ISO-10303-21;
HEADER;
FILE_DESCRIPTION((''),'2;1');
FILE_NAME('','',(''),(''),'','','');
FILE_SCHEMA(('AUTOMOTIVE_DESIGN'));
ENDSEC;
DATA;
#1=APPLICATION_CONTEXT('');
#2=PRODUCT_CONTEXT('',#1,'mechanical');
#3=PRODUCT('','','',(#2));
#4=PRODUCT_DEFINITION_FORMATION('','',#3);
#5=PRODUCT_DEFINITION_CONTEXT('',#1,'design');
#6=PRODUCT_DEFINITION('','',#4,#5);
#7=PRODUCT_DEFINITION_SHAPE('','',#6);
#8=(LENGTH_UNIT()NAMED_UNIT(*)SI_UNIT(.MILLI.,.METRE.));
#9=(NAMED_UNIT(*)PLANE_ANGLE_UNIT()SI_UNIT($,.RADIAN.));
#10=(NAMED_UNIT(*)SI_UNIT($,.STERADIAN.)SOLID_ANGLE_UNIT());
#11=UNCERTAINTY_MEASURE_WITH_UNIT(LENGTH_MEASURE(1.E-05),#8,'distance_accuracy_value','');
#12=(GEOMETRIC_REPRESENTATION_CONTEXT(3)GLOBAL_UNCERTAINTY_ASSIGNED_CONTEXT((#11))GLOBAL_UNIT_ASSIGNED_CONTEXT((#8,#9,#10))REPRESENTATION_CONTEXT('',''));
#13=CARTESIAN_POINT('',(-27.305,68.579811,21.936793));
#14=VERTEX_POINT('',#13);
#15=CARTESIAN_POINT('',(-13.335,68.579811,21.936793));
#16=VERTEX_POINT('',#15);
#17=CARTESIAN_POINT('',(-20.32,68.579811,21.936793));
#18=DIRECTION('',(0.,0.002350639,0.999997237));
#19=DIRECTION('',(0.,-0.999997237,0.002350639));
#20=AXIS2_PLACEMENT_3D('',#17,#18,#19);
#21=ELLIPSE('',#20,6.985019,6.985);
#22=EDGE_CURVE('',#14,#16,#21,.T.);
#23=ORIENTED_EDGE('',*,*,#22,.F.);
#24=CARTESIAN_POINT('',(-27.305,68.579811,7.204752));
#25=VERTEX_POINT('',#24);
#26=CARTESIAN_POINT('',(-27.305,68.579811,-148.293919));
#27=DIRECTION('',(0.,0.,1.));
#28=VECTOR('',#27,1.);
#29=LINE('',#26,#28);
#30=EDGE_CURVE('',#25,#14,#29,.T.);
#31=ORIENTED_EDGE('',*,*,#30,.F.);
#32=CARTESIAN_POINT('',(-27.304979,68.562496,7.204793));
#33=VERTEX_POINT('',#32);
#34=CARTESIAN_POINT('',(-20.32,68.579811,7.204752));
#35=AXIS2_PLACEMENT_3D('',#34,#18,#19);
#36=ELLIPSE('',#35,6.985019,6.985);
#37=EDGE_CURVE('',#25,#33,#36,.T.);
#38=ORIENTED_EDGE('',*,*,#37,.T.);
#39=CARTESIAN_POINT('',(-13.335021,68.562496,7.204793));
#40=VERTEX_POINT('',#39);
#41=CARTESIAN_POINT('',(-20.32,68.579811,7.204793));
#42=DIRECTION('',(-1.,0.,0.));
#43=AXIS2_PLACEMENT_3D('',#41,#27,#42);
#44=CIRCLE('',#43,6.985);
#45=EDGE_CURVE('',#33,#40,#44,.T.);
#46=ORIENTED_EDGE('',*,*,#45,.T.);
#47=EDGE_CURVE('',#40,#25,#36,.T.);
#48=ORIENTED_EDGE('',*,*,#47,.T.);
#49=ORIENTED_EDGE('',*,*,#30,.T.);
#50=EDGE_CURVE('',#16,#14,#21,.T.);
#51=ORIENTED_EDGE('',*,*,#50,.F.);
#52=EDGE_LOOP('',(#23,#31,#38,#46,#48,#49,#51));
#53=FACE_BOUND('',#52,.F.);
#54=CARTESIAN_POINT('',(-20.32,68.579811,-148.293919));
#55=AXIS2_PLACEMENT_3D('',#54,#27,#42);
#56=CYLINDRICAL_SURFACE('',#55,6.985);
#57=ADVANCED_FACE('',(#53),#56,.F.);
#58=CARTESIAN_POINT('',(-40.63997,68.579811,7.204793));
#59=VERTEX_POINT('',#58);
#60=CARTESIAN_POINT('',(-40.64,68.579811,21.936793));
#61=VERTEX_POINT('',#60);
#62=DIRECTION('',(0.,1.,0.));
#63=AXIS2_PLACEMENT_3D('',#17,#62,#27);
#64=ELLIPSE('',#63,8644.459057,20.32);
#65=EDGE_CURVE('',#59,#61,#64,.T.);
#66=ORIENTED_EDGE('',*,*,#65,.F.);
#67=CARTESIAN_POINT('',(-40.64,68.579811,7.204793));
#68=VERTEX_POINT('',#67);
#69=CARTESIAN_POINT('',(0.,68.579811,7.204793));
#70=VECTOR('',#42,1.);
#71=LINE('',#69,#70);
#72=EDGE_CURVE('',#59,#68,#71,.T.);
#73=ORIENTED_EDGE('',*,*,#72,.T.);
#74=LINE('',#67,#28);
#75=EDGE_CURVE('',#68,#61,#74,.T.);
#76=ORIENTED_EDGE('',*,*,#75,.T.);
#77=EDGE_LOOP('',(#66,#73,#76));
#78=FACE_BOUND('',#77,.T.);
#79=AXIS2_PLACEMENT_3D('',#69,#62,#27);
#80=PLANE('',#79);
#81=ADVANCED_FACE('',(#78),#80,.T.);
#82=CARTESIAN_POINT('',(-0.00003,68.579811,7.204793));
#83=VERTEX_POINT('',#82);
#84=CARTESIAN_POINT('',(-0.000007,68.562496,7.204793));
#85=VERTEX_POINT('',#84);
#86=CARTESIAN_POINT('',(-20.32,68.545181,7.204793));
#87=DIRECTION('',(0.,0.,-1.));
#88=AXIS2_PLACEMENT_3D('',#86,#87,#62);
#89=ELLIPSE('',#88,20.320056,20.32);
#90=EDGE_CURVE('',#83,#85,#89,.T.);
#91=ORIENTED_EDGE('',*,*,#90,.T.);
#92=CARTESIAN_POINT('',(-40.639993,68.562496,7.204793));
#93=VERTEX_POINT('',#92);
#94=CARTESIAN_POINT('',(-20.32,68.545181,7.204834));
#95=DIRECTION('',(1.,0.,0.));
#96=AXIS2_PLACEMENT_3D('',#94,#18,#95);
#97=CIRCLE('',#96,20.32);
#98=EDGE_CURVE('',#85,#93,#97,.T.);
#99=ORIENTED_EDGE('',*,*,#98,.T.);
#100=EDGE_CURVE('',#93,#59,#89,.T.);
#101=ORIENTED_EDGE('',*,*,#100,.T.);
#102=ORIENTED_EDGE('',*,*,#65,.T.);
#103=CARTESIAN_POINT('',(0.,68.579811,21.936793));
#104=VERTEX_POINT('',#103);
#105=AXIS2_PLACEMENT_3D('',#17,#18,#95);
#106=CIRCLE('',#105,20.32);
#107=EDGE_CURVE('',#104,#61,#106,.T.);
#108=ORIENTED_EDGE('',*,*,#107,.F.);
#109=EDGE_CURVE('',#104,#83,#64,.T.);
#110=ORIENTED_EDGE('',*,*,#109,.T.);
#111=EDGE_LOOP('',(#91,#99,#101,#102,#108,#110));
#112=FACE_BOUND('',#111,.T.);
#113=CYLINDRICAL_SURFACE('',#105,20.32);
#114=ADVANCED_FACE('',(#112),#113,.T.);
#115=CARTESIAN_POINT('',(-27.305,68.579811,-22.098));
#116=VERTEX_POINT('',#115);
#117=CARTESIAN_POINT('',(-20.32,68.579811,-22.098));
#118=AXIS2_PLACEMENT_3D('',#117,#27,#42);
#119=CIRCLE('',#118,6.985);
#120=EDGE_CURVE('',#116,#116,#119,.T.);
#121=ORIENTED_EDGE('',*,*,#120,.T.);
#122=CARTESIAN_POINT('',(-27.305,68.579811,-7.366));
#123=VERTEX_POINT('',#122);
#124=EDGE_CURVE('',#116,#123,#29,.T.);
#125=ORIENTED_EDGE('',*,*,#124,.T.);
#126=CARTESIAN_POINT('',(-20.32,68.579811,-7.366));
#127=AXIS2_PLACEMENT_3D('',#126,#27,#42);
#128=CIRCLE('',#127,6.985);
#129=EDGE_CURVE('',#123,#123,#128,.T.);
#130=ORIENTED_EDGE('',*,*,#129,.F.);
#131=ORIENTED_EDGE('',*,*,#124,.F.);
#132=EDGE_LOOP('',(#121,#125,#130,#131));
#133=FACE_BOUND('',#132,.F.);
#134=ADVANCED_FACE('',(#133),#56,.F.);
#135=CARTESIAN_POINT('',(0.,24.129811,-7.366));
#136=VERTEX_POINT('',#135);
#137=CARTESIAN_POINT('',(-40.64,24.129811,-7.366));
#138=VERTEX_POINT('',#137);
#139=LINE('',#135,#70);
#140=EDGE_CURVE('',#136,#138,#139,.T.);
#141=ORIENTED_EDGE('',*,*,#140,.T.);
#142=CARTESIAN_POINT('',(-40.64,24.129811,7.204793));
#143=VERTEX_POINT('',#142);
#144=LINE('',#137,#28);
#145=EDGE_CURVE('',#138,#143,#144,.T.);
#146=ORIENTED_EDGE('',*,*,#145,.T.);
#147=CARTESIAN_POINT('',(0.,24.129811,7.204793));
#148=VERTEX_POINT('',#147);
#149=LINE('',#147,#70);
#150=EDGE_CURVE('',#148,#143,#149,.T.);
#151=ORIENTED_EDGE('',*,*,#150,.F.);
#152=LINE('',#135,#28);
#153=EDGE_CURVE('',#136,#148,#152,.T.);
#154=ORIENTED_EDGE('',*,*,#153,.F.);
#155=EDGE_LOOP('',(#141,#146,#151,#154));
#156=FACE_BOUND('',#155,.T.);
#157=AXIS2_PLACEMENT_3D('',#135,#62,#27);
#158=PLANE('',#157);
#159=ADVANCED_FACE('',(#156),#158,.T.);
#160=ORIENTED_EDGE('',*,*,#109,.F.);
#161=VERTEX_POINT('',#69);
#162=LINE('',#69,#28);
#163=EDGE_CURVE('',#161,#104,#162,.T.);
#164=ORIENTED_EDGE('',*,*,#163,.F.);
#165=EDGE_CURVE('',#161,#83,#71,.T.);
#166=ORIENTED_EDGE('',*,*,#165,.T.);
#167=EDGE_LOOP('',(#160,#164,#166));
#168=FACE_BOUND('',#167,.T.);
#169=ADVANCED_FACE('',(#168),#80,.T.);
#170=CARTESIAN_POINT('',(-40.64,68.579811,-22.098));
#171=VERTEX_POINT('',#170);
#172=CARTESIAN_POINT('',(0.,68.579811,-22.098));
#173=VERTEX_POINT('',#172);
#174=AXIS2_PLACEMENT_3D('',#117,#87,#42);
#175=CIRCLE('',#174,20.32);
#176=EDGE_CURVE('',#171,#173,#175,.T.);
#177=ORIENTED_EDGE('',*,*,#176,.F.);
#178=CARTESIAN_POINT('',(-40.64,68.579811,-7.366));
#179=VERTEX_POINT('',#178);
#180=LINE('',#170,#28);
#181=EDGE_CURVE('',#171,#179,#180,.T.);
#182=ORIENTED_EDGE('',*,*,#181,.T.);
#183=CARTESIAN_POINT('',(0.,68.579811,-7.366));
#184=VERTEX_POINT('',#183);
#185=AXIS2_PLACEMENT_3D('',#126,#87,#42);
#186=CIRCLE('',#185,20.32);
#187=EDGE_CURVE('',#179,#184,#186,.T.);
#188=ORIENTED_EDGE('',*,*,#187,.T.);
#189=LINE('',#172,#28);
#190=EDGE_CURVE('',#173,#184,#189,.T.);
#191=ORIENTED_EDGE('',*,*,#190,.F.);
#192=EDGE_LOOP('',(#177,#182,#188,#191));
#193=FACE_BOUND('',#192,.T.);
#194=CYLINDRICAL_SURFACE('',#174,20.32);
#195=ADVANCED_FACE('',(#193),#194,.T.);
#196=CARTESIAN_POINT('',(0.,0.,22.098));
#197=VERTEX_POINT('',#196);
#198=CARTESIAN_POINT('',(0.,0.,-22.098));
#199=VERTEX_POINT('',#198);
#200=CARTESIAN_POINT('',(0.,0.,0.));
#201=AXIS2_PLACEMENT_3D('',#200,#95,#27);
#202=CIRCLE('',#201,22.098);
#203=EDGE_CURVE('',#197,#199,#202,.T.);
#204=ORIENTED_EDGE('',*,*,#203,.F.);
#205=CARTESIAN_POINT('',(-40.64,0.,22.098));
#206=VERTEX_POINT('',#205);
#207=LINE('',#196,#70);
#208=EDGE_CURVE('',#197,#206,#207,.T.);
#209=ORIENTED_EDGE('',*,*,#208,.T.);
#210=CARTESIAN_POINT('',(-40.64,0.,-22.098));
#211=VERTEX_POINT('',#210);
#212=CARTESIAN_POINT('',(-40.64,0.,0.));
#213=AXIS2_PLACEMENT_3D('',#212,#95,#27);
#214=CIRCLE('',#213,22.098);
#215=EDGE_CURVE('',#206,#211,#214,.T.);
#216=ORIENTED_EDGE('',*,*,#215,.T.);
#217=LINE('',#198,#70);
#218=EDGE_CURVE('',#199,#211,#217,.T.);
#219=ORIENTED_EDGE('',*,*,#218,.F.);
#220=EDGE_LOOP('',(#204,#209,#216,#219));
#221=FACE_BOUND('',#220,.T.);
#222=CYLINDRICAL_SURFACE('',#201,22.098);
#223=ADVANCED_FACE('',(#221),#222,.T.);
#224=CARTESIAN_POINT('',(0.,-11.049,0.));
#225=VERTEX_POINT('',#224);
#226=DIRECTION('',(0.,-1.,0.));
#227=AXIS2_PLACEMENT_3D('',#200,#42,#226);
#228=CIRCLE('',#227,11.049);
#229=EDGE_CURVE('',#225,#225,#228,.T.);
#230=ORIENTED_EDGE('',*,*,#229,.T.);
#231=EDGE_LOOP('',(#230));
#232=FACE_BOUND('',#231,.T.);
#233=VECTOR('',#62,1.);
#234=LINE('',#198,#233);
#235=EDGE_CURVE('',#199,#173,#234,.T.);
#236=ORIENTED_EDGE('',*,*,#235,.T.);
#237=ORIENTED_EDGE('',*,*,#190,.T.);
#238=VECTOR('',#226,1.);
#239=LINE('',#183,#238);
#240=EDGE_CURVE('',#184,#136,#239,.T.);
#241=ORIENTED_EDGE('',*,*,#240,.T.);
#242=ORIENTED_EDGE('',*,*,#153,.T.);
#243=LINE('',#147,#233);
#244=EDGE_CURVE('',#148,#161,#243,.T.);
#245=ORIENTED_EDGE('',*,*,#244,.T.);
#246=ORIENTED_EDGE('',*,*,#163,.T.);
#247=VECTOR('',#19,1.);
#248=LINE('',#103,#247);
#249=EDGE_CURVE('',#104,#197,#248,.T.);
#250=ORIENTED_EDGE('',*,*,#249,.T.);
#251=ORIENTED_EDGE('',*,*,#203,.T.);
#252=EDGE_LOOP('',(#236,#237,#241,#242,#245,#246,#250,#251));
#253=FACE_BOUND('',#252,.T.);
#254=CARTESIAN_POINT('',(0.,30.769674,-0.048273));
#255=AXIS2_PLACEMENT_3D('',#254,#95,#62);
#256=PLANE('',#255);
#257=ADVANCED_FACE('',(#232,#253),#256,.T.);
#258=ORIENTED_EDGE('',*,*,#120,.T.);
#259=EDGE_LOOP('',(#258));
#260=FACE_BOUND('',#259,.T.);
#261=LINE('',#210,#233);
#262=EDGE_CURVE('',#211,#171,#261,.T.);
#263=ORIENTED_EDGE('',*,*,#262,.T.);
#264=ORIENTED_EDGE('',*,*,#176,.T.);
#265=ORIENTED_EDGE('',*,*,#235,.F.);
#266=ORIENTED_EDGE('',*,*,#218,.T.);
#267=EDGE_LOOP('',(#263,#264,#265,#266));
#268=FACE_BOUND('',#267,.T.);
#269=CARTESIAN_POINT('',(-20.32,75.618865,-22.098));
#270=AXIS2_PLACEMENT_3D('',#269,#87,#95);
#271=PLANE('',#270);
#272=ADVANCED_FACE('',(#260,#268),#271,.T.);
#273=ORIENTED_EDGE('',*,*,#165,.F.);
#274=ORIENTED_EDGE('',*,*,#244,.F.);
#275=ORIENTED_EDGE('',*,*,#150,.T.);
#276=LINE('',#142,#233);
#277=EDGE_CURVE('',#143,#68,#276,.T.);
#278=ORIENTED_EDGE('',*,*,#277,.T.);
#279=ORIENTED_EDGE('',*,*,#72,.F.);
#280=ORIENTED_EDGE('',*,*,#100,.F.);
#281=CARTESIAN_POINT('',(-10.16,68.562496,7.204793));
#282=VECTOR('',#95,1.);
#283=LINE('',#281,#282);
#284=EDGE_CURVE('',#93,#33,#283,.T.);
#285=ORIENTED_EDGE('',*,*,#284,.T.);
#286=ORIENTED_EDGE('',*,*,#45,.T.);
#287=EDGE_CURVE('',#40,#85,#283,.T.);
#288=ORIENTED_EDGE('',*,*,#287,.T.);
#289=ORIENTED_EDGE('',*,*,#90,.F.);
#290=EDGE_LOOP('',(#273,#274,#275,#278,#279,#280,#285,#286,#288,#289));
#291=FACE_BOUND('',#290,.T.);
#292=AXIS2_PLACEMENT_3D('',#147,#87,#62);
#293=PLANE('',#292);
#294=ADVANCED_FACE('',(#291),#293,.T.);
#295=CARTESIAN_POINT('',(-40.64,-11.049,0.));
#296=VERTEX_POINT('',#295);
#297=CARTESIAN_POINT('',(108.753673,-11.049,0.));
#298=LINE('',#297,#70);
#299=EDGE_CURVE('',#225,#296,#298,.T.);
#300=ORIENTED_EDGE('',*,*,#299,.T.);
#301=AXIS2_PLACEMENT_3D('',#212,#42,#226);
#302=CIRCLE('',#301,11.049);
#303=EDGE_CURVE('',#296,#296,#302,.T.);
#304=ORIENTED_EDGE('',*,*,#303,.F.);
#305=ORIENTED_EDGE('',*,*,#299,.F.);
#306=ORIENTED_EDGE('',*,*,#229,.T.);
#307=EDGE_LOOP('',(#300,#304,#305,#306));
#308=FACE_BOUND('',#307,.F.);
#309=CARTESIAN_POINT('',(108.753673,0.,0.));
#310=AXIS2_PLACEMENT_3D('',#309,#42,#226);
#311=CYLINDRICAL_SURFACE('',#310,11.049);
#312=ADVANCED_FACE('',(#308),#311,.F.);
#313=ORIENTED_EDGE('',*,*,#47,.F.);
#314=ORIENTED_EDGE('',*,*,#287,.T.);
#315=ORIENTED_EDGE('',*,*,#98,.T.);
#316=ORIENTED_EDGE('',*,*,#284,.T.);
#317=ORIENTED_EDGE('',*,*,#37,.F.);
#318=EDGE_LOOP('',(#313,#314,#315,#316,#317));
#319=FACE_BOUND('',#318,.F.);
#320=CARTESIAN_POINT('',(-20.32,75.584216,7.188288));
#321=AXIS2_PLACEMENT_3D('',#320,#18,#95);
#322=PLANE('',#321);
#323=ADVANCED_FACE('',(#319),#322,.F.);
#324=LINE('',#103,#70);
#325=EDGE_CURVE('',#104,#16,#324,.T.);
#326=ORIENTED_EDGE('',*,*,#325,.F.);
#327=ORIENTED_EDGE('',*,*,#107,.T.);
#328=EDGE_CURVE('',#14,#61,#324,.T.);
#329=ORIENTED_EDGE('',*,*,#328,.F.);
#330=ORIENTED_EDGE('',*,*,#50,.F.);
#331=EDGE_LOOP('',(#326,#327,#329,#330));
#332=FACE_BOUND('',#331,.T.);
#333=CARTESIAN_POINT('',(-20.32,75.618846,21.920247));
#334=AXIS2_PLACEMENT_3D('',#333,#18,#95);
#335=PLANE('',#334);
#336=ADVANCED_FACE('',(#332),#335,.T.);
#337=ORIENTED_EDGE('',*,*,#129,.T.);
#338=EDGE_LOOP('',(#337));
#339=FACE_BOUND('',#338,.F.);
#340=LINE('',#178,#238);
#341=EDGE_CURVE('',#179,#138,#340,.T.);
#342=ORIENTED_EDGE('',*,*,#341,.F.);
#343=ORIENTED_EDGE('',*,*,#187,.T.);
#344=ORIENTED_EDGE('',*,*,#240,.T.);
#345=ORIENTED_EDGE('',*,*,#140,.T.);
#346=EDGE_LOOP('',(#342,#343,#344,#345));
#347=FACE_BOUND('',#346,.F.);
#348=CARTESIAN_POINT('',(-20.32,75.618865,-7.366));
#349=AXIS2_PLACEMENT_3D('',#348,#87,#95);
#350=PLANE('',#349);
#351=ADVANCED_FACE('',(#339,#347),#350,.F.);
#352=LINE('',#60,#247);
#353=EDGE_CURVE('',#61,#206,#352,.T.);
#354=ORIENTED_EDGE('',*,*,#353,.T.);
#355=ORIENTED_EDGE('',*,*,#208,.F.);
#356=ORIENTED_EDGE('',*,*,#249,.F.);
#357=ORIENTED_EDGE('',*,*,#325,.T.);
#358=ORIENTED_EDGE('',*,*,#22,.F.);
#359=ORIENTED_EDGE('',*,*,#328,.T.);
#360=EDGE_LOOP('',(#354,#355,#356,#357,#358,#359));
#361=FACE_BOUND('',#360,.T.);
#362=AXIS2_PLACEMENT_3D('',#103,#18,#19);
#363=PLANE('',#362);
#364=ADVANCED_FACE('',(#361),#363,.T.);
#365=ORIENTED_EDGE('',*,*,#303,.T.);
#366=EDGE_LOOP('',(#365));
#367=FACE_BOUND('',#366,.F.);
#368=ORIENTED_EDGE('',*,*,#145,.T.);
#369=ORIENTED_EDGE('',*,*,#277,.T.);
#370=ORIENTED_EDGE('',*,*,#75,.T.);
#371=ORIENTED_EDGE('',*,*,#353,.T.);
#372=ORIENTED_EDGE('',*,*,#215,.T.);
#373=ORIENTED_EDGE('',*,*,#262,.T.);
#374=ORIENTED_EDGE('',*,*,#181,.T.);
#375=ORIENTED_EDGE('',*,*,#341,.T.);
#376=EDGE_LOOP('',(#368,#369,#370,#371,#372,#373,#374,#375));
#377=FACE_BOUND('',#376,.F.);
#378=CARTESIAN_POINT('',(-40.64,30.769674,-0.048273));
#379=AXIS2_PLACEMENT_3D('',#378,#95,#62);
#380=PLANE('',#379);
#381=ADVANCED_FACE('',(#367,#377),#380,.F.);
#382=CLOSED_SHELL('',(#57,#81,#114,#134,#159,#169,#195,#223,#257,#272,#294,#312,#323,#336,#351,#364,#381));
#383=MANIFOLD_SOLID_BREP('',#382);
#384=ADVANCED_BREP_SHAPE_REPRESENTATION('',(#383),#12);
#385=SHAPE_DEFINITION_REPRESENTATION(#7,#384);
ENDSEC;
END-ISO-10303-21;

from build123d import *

# Parameters (mm, degrees)
F1_DEPTH = 40.64
F3_D     = 22.098
F5_DEPTH = 14.732
F7_DEPTH = 14.732
F9_D     = 13.97


with BuildPart() as f1:
    # F0 (on Right) → F1 (new body)
    with BuildSketch(Plane.YZ):
        with BuildLine():
            Line((68.5798105303, 21.9367931967), (0, 22.098))
            ThreePointArc((0, 22.098), (-22.098, 0), (0, -22.098))
            Line((0, -22.098), (68.5798105303, -22.098))
            Line((68.5798105303, -22.098), (68.5798105303, -7.366))
            Line((68.5798105303, -7.366), (24.1298105303, -7.366))
            Line((24.1298105303, -7.366), (24.1298105303, 7.2047931967))
            Line((24.1298105303, 7.2047931967), (68.5798105303, 7.2047931967))
            Line((68.5798105303, 7.2047931967), (68.5798105303, 21.9367931967))
        make_face()
    extrude(amount=-F1_DEPTH)

    # F3 (through all)
    with Locations(Plane.YZ):
        with Locations((0, 0)):
            Hole(F3_D / 2)

    # F4 (on face) → F5 (join)
    with BuildSketch(Plane(origin=(0, 0.0519442709, 22.0978778974), x_dir=(1, 0, 0), z_dir=(0, 0.0023506387, 0.9999972372))):
        with BuildLine():
            Line((-40.64, 68.5280555856), (0, 68.5280555856))
            ThreePointArc((0, 68.5280555856), (-20.32, 88.8480555856), (-40.64, 68.5280555856))
        make_face()
    extrude(amount=-F5_DEPTH)

    # F6 (on face) → F7 (join)
    with BuildSketch(Plane(origin=(0, 0, -22.098), x_dir=(1, 0, 0), z_dir=(0, 0, -1))):
        with BuildLine():
            ThreePointArc((-40.64, -68.5798105303), (-20.32, -88.8998105303), (0, -68.5798105303))
            Line((0, -68.5798105303), (-40.64, -68.5798105303))
        make_face()
    extrude(amount=-F7_DEPTH)

    # F9 (through all)
    with Locations(Plane(origin=(0, 0, -22.098), x_dir=(1, 0, 0), z_dir=(0, 0, -1))):
        with Locations((-20.32, -68.5798105303)):
            Hole(F9_D / 2)


solid = f1.part
